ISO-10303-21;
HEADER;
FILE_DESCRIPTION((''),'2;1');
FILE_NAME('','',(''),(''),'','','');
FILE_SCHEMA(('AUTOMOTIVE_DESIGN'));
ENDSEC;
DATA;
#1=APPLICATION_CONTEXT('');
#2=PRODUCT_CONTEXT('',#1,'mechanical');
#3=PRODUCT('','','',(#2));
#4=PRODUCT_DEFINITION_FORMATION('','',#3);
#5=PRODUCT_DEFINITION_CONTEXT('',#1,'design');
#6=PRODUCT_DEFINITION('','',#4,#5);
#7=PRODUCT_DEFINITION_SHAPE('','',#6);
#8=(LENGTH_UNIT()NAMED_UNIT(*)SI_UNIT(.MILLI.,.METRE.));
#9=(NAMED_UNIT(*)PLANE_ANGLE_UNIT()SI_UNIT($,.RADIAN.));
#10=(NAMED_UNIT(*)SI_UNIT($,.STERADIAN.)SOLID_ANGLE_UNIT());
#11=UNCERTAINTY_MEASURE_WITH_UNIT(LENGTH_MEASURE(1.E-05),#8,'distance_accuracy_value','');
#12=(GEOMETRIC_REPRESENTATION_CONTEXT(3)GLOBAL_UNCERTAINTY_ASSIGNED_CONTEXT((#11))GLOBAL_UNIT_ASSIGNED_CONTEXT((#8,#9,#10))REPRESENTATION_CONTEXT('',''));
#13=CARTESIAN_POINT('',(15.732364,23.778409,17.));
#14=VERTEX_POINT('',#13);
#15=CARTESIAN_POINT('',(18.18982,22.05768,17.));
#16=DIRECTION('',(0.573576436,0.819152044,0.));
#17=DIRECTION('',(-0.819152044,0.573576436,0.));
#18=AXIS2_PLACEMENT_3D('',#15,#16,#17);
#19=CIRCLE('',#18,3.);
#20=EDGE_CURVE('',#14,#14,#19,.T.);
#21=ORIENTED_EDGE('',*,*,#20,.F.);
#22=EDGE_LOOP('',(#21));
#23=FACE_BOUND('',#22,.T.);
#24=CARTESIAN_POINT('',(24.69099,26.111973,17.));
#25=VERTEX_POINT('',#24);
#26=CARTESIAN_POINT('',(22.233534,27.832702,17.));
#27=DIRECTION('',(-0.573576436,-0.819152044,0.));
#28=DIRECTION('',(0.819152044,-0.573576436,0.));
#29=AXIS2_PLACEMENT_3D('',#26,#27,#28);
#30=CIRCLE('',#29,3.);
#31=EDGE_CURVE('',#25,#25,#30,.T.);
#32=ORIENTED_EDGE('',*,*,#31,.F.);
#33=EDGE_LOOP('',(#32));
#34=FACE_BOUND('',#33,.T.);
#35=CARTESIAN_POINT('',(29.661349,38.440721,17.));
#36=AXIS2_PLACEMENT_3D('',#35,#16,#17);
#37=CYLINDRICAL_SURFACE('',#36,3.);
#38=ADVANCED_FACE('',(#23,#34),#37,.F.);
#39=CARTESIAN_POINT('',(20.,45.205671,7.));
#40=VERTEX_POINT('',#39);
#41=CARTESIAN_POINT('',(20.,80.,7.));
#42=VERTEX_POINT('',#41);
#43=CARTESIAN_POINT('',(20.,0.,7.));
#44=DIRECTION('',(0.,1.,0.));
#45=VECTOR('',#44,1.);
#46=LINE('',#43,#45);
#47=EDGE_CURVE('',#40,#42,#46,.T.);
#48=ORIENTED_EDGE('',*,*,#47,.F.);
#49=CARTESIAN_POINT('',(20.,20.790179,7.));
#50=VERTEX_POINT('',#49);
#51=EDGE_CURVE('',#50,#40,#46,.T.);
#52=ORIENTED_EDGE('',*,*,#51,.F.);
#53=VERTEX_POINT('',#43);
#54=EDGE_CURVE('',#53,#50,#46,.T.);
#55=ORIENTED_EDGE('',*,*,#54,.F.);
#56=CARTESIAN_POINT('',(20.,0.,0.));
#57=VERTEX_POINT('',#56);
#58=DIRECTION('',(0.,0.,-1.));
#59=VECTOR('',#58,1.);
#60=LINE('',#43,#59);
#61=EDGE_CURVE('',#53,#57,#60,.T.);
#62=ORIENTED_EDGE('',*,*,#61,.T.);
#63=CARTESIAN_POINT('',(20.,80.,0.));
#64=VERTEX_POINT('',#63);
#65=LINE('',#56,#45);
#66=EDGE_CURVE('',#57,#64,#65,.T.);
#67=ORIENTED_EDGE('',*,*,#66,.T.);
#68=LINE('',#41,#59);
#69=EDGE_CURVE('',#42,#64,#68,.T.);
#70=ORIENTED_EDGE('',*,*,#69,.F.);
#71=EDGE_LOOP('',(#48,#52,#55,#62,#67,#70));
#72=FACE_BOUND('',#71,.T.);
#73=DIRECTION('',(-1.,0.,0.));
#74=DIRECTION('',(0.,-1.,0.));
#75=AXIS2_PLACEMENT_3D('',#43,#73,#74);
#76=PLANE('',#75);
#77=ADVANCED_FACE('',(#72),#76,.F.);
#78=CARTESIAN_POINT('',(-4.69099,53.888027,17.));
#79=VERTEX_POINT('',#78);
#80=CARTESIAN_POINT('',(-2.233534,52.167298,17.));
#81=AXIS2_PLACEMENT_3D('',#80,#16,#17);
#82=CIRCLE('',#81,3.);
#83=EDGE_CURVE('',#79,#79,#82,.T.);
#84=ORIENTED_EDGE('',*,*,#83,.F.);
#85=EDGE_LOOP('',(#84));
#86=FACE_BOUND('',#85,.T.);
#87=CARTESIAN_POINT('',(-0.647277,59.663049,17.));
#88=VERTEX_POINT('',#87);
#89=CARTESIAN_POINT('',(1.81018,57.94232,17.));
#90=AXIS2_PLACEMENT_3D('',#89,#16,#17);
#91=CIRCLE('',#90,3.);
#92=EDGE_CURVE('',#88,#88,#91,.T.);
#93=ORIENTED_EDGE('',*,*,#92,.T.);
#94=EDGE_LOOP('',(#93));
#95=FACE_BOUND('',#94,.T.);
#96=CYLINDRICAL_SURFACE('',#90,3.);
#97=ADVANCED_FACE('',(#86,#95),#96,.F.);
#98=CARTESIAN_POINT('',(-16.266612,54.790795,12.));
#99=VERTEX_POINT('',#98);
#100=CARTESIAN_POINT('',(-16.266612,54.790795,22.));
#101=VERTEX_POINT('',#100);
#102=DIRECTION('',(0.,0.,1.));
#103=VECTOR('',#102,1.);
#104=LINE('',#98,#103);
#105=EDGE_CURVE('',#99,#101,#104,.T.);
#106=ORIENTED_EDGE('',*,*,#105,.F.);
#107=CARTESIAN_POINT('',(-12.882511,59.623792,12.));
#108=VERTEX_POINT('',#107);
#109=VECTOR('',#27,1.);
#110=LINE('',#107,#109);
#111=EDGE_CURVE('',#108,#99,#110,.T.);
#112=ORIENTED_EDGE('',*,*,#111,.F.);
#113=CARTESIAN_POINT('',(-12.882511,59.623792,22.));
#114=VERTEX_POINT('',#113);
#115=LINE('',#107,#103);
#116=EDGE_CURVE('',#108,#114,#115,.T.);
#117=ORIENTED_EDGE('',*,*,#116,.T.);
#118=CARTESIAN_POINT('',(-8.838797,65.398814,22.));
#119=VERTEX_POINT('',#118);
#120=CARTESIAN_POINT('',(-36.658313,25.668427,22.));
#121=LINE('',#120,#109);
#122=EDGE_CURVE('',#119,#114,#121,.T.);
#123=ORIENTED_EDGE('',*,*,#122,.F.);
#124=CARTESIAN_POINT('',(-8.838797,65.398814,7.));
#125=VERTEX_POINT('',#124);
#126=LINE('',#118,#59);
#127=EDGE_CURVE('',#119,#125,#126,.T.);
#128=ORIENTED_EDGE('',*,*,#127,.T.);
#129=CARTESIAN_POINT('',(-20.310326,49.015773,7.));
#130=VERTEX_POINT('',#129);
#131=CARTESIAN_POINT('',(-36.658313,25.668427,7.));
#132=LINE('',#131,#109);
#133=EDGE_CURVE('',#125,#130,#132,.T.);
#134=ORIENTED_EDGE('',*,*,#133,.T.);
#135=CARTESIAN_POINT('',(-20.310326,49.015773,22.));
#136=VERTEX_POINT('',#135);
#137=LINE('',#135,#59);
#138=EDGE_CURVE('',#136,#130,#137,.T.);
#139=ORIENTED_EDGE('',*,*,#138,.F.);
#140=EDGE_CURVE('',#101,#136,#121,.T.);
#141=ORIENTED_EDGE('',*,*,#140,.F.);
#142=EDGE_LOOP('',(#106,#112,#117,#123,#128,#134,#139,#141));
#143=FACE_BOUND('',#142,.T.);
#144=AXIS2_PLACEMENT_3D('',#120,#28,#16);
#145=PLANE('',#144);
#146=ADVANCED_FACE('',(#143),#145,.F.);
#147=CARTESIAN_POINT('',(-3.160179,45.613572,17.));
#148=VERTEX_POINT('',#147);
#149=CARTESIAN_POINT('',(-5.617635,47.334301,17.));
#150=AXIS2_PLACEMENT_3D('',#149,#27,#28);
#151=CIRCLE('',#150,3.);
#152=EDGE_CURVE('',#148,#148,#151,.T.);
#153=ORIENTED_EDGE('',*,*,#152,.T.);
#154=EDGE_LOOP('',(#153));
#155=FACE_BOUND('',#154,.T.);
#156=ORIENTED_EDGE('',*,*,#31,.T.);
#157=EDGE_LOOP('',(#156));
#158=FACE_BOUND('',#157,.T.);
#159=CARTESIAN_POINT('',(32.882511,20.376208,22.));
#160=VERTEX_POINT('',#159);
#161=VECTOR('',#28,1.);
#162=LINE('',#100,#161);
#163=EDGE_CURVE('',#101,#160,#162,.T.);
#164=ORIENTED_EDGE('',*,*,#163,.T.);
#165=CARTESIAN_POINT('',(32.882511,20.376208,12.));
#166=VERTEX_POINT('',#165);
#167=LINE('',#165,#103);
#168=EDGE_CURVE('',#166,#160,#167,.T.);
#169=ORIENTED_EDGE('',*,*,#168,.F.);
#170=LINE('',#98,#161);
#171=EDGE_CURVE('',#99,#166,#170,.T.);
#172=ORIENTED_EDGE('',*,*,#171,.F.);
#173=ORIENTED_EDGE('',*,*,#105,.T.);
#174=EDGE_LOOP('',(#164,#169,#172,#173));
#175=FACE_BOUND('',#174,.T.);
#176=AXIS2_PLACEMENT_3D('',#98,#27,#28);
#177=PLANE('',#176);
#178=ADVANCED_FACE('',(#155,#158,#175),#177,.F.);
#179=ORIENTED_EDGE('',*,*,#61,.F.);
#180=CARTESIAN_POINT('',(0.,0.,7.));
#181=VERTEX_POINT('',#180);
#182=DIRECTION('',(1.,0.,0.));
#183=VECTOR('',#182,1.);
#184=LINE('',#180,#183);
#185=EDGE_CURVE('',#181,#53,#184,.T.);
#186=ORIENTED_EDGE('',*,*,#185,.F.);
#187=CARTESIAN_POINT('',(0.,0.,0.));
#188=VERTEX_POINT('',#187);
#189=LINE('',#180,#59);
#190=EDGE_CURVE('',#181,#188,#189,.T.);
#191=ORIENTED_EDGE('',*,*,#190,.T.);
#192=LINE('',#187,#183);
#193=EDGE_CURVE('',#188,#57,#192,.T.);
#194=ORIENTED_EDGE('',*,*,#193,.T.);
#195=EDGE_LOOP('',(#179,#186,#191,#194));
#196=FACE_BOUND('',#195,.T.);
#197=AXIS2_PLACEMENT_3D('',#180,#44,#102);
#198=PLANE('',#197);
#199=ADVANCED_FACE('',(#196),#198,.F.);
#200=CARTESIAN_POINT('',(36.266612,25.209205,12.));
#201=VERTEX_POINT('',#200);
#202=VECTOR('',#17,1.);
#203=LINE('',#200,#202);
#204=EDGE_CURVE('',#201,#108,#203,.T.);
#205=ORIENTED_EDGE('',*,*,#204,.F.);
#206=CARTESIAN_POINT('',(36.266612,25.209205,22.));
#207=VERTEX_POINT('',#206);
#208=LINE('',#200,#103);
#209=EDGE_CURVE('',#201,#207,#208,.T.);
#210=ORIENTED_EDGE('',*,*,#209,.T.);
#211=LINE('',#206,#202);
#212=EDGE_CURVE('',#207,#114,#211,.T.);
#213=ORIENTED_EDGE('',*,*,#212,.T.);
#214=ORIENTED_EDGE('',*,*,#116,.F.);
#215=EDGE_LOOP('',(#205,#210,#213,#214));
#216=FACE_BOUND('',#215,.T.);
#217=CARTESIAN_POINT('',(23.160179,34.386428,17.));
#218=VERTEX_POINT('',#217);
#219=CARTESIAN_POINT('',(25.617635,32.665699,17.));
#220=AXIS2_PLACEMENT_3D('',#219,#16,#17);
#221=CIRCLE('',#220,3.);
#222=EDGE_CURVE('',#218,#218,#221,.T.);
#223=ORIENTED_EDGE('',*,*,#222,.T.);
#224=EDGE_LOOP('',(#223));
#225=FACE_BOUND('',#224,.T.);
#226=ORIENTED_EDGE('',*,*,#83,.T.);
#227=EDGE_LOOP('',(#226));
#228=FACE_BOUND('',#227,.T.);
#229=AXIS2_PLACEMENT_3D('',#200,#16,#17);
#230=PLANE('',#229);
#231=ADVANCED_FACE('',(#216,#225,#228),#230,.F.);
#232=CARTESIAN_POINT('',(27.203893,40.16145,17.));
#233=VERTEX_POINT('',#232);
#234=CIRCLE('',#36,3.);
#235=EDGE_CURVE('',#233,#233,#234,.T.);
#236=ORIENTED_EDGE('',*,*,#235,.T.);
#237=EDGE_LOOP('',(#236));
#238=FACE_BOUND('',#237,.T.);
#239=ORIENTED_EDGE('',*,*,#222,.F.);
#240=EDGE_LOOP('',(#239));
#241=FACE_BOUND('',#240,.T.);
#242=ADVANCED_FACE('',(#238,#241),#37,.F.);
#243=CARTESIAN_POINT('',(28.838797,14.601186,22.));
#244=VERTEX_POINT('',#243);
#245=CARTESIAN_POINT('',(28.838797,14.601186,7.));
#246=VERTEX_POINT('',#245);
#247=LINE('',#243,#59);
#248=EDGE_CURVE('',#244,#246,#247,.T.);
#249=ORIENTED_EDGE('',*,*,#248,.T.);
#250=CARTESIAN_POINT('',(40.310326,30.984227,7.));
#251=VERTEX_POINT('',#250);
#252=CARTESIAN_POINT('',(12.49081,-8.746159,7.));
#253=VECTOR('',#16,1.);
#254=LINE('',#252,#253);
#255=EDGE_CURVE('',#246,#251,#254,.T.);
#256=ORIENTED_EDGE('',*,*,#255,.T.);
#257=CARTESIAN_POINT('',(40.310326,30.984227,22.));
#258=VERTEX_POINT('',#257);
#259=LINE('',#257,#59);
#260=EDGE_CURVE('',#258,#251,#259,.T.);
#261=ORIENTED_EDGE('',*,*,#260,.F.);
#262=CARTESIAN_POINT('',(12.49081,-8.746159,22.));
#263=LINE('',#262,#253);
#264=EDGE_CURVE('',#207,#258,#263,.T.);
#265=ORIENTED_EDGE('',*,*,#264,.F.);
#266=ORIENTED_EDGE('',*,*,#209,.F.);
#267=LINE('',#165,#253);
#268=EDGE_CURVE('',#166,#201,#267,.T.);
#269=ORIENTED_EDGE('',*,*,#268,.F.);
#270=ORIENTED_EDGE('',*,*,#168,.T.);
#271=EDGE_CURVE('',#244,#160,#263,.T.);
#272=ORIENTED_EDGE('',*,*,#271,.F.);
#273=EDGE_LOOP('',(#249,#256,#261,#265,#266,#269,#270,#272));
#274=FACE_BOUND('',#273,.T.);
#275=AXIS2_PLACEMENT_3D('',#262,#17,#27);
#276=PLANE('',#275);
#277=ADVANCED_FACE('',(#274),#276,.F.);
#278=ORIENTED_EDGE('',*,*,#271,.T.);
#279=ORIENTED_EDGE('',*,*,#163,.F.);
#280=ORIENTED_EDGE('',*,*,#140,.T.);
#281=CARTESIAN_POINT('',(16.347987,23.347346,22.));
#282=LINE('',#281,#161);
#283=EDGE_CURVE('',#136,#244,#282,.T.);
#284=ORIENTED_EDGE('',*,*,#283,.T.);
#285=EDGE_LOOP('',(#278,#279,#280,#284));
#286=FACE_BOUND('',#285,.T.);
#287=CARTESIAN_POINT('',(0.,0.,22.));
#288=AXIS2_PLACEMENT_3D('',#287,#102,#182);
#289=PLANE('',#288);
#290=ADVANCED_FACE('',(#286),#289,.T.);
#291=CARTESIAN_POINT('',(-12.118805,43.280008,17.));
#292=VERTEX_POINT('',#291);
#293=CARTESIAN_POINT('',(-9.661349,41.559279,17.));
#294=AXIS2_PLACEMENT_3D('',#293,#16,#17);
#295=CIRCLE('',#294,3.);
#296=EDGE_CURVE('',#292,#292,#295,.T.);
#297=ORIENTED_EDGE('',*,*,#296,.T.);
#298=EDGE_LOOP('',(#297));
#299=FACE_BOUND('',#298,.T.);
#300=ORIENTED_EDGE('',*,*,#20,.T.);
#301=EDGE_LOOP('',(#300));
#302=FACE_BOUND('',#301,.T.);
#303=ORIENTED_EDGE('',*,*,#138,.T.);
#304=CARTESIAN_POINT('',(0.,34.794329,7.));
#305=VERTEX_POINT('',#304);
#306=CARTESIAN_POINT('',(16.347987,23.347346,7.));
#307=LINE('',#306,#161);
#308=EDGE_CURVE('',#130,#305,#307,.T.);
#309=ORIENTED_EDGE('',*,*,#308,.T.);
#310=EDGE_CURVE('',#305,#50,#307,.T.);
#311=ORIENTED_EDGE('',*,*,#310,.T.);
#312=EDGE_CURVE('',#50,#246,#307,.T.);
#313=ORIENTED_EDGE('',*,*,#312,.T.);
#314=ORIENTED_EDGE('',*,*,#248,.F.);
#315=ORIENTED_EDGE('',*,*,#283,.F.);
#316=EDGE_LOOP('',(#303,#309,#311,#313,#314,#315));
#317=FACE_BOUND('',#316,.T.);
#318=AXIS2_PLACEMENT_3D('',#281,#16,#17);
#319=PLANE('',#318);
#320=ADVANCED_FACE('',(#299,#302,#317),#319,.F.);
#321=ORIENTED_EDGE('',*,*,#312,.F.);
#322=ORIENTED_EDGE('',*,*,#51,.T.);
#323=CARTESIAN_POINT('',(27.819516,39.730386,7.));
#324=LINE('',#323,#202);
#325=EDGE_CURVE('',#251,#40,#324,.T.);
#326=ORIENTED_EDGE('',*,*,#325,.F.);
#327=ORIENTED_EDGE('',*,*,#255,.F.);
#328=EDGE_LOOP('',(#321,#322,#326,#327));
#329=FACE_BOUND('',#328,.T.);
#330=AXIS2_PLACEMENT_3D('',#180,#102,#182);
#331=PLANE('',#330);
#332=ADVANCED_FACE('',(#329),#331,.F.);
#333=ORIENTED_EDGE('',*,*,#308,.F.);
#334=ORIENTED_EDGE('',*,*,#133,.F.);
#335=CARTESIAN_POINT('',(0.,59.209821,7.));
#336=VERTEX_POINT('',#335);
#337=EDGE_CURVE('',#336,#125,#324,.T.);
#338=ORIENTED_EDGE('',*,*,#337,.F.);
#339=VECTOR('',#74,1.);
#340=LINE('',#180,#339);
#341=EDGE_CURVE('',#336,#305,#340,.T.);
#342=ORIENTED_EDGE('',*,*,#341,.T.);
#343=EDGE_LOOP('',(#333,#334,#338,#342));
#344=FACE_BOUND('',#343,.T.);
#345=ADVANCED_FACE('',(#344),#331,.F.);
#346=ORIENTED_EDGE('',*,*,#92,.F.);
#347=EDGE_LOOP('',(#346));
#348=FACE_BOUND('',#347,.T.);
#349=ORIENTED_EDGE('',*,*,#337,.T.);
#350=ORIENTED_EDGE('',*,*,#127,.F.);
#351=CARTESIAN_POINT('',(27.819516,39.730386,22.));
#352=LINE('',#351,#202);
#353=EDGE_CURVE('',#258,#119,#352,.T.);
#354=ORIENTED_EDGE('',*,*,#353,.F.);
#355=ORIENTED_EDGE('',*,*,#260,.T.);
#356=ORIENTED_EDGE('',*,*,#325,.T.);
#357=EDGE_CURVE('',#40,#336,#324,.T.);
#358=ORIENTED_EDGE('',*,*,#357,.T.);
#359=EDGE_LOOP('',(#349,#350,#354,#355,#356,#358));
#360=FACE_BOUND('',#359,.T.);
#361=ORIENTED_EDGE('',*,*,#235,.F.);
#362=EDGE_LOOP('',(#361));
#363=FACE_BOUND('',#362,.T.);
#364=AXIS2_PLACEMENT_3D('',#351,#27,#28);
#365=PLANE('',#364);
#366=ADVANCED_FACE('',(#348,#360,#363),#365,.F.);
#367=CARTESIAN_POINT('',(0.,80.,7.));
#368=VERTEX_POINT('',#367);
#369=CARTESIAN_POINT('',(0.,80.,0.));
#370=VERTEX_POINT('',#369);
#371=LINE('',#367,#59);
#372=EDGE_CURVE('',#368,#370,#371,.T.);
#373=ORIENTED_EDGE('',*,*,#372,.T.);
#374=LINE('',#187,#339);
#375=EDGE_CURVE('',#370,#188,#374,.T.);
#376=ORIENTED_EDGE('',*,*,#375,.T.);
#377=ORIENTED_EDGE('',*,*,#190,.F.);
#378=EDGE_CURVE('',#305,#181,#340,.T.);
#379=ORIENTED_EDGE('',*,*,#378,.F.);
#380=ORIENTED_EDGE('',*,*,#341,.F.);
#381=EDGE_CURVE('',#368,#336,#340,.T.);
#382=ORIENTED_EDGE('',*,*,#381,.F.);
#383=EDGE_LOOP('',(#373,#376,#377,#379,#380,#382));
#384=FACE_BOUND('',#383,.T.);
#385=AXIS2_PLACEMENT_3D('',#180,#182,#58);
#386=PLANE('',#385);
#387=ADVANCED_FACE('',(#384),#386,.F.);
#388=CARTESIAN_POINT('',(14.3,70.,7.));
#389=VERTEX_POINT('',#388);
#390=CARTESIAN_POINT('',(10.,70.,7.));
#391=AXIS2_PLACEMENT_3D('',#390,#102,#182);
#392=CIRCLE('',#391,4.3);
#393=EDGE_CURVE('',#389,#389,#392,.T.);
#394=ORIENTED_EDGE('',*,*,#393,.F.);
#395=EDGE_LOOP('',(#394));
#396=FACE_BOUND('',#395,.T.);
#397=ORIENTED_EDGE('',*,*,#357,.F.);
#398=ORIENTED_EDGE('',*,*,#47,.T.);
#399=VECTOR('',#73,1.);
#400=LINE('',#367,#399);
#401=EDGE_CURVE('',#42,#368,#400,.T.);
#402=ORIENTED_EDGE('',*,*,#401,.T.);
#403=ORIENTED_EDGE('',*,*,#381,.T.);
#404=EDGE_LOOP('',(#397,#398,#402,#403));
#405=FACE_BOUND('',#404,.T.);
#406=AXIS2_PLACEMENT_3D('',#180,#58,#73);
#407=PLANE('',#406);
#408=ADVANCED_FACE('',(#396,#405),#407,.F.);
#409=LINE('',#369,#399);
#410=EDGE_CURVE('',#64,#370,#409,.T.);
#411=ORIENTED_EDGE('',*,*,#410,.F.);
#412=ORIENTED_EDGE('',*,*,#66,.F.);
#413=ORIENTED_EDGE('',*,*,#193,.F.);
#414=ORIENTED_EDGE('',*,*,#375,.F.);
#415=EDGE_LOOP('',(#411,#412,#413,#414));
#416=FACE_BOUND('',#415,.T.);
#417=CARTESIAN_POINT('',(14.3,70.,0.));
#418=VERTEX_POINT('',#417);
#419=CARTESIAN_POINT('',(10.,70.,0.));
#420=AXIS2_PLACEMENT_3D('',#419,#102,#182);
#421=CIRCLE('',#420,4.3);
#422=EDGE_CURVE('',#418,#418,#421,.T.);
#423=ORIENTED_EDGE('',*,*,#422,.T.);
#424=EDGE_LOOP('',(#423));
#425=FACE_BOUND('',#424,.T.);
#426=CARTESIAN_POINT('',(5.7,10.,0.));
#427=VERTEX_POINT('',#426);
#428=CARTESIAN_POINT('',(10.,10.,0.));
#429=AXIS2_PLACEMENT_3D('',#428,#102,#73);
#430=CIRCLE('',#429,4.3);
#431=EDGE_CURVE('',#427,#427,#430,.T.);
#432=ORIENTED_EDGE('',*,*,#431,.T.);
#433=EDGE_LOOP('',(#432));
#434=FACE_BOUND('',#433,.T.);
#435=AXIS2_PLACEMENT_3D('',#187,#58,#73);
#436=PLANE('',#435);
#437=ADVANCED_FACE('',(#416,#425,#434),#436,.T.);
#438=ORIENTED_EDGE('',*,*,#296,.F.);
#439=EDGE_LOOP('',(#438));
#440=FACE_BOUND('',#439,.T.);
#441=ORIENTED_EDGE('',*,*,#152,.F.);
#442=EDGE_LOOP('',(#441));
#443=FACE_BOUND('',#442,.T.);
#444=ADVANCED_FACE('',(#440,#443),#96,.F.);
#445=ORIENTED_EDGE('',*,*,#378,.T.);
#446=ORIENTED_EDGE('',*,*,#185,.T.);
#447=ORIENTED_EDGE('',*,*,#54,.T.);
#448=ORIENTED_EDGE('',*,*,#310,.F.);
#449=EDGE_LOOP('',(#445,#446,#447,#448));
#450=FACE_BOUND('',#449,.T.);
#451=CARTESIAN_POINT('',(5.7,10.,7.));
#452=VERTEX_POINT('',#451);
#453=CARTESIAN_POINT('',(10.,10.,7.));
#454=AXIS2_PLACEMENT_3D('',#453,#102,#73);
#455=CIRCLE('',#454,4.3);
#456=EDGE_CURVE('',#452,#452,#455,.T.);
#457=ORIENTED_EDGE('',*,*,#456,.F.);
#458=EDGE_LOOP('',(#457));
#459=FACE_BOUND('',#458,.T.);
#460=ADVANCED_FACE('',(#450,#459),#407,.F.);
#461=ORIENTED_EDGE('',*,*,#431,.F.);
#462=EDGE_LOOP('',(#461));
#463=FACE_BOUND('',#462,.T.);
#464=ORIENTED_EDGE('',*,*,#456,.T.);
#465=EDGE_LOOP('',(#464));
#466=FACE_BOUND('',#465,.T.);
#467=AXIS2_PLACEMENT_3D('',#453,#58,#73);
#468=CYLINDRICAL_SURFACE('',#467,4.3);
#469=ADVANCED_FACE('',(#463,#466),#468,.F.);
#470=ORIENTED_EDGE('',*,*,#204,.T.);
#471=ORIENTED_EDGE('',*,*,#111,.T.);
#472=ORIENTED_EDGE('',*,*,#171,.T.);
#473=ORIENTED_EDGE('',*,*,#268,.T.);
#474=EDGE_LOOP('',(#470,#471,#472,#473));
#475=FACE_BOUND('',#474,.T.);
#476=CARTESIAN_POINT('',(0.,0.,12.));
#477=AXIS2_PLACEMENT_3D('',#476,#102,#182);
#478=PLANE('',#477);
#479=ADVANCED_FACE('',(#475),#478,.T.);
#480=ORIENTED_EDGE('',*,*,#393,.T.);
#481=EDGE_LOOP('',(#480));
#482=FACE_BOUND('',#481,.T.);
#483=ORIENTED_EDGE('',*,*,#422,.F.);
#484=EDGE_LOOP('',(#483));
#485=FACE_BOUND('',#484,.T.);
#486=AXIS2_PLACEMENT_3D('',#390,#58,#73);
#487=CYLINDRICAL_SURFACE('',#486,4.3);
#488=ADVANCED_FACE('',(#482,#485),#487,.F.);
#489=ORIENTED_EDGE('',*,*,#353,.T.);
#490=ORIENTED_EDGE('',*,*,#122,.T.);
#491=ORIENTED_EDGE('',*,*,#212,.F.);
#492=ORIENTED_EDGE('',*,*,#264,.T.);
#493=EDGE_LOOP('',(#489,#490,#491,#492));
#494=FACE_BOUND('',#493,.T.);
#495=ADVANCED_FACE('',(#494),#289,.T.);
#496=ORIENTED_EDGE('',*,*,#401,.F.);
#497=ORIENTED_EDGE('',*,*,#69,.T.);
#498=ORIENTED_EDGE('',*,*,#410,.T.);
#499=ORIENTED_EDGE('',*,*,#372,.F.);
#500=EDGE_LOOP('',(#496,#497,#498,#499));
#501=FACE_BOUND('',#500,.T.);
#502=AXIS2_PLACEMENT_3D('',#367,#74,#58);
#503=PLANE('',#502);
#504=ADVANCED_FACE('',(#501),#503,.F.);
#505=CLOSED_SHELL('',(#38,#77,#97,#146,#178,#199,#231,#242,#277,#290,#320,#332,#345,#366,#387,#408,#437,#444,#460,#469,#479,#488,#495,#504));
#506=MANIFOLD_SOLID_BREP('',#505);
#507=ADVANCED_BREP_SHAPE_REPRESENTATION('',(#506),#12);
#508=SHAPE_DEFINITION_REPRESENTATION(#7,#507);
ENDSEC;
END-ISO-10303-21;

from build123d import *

# Parameters (mm, degrees)
SKIZZE1_W                       = 20
SKIZZE1_H                       = 80
SKIZZE1_R                       = 4.3
AUFSATZ_LINEAR_AUSTRAGEN1_DEPTH = 7
AUFSATZ_LINEAR_AUSTRAGEN2_DEPTH = 15
SCHNITT_LINEAR_AUSTRAGEN1_DEPTH = 10
F_6_0_6_DURCHMESSER_BOHRUNG1_D  = 6


with BuildPart() as part:
    # Skizze1 → Aufsatz-Linear austragen1 (new body)
    with BuildSketch(Plane.XY):
        with Locations((10, 40)):
            Rectangle(SKIZZE1_W, SKIZZE1_H)
        with Locations((10, 70)):
            Circle(SKIZZE1_R, mode=Mode.SUBTRACT)
        with Locations(Location((10, 10, 0), (0, 0, 180))):  # turned: the seam where the file's is
            Circle(SKIZZE1_R, mode=Mode.SUBTRACT)
    extrude(amount=AUFSATZ_LINEAR_AUSTRAGEN1_DEPTH)

    # Skizze2 → Aufsatz-Linear austragen2 (add)
    with BuildSketch(Plane.XY.offset(7)):
        Polygon((32.882510841, 20.376208379), (20, 29.396639581), (20, 20.79017873), (28.838796965, 14.601186467), align=None)
        Polygon((36.266611816, 25.20920544), (20, 36.599209655), (20, 29.396639581), (32.882510841, 20.376208379), align=None)
        Polygon((40.310325692, 30.984227352), (20, 45.205670506), (20, 36.599209655), (36.266611816, 25.20920544), align=None)
        Polygon((20, 45.205670506), (0, 59.20982127), (0, 50.603360419), (20, 36.599209655), align=None)
        Polygon((20, 36.599209655), (0, 50.603360419), (0, 43.400790345), (20, 29.396639581), align=None)
        Polygon((20, 29.396639581), (0, 43.400790345), (0, 34.794329494), (20, 20.79017873), align=None)
        Polygon((0, 43.400790345), (-16.266611816, 54.79079456), (-20.310325692, 49.015772648), (0, 34.794329494), align=None)
        Polygon((0, 50.603360419), (-12.882510841, 59.623791621), (-16.266611816, 54.79079456), (0, 43.400790345), align=None)
        Polygon((0, 59.20982127), (-8.838796965, 65.398813533), (-12.882510841, 59.623791621), (0, 50.603360419), align=None)
    extrude(amount=AUFSATZ_LINEAR_AUSTRAGEN2_DEPTH)

    # Skizze3 → Schnitt-Linear austragen1 (cut)
    with BuildSketch(Plane.XY.offset(22)):
        Polygon((-16.266611816, 54.79079456), (32.882510841, 20.376208379), (36.266611816, 25.20920544), (-12.882510841, 59.623791621), align=None)
    extrude(amount=-SCHNITT_LINEAR_AUSTRAGEN1_DEPTH, mode=Mode.SUBTRACT)

    # Ø6.0 (6) Durchmesser Bohrung1 (through all)
    with Locations(Plane(origin=(27.819516063, 39.730386413, 0), x_dir=(0.819152044, -0.573576436, 0), z_dir=(0.573576436, 0.819152044, 0))):
        with Locations((2.248462989, -17), (-31.751537011, -17)):
            Hole(F_6_0_6_DURCHMESSER_BOHRUNG1_D / 2)


solid = part.part
